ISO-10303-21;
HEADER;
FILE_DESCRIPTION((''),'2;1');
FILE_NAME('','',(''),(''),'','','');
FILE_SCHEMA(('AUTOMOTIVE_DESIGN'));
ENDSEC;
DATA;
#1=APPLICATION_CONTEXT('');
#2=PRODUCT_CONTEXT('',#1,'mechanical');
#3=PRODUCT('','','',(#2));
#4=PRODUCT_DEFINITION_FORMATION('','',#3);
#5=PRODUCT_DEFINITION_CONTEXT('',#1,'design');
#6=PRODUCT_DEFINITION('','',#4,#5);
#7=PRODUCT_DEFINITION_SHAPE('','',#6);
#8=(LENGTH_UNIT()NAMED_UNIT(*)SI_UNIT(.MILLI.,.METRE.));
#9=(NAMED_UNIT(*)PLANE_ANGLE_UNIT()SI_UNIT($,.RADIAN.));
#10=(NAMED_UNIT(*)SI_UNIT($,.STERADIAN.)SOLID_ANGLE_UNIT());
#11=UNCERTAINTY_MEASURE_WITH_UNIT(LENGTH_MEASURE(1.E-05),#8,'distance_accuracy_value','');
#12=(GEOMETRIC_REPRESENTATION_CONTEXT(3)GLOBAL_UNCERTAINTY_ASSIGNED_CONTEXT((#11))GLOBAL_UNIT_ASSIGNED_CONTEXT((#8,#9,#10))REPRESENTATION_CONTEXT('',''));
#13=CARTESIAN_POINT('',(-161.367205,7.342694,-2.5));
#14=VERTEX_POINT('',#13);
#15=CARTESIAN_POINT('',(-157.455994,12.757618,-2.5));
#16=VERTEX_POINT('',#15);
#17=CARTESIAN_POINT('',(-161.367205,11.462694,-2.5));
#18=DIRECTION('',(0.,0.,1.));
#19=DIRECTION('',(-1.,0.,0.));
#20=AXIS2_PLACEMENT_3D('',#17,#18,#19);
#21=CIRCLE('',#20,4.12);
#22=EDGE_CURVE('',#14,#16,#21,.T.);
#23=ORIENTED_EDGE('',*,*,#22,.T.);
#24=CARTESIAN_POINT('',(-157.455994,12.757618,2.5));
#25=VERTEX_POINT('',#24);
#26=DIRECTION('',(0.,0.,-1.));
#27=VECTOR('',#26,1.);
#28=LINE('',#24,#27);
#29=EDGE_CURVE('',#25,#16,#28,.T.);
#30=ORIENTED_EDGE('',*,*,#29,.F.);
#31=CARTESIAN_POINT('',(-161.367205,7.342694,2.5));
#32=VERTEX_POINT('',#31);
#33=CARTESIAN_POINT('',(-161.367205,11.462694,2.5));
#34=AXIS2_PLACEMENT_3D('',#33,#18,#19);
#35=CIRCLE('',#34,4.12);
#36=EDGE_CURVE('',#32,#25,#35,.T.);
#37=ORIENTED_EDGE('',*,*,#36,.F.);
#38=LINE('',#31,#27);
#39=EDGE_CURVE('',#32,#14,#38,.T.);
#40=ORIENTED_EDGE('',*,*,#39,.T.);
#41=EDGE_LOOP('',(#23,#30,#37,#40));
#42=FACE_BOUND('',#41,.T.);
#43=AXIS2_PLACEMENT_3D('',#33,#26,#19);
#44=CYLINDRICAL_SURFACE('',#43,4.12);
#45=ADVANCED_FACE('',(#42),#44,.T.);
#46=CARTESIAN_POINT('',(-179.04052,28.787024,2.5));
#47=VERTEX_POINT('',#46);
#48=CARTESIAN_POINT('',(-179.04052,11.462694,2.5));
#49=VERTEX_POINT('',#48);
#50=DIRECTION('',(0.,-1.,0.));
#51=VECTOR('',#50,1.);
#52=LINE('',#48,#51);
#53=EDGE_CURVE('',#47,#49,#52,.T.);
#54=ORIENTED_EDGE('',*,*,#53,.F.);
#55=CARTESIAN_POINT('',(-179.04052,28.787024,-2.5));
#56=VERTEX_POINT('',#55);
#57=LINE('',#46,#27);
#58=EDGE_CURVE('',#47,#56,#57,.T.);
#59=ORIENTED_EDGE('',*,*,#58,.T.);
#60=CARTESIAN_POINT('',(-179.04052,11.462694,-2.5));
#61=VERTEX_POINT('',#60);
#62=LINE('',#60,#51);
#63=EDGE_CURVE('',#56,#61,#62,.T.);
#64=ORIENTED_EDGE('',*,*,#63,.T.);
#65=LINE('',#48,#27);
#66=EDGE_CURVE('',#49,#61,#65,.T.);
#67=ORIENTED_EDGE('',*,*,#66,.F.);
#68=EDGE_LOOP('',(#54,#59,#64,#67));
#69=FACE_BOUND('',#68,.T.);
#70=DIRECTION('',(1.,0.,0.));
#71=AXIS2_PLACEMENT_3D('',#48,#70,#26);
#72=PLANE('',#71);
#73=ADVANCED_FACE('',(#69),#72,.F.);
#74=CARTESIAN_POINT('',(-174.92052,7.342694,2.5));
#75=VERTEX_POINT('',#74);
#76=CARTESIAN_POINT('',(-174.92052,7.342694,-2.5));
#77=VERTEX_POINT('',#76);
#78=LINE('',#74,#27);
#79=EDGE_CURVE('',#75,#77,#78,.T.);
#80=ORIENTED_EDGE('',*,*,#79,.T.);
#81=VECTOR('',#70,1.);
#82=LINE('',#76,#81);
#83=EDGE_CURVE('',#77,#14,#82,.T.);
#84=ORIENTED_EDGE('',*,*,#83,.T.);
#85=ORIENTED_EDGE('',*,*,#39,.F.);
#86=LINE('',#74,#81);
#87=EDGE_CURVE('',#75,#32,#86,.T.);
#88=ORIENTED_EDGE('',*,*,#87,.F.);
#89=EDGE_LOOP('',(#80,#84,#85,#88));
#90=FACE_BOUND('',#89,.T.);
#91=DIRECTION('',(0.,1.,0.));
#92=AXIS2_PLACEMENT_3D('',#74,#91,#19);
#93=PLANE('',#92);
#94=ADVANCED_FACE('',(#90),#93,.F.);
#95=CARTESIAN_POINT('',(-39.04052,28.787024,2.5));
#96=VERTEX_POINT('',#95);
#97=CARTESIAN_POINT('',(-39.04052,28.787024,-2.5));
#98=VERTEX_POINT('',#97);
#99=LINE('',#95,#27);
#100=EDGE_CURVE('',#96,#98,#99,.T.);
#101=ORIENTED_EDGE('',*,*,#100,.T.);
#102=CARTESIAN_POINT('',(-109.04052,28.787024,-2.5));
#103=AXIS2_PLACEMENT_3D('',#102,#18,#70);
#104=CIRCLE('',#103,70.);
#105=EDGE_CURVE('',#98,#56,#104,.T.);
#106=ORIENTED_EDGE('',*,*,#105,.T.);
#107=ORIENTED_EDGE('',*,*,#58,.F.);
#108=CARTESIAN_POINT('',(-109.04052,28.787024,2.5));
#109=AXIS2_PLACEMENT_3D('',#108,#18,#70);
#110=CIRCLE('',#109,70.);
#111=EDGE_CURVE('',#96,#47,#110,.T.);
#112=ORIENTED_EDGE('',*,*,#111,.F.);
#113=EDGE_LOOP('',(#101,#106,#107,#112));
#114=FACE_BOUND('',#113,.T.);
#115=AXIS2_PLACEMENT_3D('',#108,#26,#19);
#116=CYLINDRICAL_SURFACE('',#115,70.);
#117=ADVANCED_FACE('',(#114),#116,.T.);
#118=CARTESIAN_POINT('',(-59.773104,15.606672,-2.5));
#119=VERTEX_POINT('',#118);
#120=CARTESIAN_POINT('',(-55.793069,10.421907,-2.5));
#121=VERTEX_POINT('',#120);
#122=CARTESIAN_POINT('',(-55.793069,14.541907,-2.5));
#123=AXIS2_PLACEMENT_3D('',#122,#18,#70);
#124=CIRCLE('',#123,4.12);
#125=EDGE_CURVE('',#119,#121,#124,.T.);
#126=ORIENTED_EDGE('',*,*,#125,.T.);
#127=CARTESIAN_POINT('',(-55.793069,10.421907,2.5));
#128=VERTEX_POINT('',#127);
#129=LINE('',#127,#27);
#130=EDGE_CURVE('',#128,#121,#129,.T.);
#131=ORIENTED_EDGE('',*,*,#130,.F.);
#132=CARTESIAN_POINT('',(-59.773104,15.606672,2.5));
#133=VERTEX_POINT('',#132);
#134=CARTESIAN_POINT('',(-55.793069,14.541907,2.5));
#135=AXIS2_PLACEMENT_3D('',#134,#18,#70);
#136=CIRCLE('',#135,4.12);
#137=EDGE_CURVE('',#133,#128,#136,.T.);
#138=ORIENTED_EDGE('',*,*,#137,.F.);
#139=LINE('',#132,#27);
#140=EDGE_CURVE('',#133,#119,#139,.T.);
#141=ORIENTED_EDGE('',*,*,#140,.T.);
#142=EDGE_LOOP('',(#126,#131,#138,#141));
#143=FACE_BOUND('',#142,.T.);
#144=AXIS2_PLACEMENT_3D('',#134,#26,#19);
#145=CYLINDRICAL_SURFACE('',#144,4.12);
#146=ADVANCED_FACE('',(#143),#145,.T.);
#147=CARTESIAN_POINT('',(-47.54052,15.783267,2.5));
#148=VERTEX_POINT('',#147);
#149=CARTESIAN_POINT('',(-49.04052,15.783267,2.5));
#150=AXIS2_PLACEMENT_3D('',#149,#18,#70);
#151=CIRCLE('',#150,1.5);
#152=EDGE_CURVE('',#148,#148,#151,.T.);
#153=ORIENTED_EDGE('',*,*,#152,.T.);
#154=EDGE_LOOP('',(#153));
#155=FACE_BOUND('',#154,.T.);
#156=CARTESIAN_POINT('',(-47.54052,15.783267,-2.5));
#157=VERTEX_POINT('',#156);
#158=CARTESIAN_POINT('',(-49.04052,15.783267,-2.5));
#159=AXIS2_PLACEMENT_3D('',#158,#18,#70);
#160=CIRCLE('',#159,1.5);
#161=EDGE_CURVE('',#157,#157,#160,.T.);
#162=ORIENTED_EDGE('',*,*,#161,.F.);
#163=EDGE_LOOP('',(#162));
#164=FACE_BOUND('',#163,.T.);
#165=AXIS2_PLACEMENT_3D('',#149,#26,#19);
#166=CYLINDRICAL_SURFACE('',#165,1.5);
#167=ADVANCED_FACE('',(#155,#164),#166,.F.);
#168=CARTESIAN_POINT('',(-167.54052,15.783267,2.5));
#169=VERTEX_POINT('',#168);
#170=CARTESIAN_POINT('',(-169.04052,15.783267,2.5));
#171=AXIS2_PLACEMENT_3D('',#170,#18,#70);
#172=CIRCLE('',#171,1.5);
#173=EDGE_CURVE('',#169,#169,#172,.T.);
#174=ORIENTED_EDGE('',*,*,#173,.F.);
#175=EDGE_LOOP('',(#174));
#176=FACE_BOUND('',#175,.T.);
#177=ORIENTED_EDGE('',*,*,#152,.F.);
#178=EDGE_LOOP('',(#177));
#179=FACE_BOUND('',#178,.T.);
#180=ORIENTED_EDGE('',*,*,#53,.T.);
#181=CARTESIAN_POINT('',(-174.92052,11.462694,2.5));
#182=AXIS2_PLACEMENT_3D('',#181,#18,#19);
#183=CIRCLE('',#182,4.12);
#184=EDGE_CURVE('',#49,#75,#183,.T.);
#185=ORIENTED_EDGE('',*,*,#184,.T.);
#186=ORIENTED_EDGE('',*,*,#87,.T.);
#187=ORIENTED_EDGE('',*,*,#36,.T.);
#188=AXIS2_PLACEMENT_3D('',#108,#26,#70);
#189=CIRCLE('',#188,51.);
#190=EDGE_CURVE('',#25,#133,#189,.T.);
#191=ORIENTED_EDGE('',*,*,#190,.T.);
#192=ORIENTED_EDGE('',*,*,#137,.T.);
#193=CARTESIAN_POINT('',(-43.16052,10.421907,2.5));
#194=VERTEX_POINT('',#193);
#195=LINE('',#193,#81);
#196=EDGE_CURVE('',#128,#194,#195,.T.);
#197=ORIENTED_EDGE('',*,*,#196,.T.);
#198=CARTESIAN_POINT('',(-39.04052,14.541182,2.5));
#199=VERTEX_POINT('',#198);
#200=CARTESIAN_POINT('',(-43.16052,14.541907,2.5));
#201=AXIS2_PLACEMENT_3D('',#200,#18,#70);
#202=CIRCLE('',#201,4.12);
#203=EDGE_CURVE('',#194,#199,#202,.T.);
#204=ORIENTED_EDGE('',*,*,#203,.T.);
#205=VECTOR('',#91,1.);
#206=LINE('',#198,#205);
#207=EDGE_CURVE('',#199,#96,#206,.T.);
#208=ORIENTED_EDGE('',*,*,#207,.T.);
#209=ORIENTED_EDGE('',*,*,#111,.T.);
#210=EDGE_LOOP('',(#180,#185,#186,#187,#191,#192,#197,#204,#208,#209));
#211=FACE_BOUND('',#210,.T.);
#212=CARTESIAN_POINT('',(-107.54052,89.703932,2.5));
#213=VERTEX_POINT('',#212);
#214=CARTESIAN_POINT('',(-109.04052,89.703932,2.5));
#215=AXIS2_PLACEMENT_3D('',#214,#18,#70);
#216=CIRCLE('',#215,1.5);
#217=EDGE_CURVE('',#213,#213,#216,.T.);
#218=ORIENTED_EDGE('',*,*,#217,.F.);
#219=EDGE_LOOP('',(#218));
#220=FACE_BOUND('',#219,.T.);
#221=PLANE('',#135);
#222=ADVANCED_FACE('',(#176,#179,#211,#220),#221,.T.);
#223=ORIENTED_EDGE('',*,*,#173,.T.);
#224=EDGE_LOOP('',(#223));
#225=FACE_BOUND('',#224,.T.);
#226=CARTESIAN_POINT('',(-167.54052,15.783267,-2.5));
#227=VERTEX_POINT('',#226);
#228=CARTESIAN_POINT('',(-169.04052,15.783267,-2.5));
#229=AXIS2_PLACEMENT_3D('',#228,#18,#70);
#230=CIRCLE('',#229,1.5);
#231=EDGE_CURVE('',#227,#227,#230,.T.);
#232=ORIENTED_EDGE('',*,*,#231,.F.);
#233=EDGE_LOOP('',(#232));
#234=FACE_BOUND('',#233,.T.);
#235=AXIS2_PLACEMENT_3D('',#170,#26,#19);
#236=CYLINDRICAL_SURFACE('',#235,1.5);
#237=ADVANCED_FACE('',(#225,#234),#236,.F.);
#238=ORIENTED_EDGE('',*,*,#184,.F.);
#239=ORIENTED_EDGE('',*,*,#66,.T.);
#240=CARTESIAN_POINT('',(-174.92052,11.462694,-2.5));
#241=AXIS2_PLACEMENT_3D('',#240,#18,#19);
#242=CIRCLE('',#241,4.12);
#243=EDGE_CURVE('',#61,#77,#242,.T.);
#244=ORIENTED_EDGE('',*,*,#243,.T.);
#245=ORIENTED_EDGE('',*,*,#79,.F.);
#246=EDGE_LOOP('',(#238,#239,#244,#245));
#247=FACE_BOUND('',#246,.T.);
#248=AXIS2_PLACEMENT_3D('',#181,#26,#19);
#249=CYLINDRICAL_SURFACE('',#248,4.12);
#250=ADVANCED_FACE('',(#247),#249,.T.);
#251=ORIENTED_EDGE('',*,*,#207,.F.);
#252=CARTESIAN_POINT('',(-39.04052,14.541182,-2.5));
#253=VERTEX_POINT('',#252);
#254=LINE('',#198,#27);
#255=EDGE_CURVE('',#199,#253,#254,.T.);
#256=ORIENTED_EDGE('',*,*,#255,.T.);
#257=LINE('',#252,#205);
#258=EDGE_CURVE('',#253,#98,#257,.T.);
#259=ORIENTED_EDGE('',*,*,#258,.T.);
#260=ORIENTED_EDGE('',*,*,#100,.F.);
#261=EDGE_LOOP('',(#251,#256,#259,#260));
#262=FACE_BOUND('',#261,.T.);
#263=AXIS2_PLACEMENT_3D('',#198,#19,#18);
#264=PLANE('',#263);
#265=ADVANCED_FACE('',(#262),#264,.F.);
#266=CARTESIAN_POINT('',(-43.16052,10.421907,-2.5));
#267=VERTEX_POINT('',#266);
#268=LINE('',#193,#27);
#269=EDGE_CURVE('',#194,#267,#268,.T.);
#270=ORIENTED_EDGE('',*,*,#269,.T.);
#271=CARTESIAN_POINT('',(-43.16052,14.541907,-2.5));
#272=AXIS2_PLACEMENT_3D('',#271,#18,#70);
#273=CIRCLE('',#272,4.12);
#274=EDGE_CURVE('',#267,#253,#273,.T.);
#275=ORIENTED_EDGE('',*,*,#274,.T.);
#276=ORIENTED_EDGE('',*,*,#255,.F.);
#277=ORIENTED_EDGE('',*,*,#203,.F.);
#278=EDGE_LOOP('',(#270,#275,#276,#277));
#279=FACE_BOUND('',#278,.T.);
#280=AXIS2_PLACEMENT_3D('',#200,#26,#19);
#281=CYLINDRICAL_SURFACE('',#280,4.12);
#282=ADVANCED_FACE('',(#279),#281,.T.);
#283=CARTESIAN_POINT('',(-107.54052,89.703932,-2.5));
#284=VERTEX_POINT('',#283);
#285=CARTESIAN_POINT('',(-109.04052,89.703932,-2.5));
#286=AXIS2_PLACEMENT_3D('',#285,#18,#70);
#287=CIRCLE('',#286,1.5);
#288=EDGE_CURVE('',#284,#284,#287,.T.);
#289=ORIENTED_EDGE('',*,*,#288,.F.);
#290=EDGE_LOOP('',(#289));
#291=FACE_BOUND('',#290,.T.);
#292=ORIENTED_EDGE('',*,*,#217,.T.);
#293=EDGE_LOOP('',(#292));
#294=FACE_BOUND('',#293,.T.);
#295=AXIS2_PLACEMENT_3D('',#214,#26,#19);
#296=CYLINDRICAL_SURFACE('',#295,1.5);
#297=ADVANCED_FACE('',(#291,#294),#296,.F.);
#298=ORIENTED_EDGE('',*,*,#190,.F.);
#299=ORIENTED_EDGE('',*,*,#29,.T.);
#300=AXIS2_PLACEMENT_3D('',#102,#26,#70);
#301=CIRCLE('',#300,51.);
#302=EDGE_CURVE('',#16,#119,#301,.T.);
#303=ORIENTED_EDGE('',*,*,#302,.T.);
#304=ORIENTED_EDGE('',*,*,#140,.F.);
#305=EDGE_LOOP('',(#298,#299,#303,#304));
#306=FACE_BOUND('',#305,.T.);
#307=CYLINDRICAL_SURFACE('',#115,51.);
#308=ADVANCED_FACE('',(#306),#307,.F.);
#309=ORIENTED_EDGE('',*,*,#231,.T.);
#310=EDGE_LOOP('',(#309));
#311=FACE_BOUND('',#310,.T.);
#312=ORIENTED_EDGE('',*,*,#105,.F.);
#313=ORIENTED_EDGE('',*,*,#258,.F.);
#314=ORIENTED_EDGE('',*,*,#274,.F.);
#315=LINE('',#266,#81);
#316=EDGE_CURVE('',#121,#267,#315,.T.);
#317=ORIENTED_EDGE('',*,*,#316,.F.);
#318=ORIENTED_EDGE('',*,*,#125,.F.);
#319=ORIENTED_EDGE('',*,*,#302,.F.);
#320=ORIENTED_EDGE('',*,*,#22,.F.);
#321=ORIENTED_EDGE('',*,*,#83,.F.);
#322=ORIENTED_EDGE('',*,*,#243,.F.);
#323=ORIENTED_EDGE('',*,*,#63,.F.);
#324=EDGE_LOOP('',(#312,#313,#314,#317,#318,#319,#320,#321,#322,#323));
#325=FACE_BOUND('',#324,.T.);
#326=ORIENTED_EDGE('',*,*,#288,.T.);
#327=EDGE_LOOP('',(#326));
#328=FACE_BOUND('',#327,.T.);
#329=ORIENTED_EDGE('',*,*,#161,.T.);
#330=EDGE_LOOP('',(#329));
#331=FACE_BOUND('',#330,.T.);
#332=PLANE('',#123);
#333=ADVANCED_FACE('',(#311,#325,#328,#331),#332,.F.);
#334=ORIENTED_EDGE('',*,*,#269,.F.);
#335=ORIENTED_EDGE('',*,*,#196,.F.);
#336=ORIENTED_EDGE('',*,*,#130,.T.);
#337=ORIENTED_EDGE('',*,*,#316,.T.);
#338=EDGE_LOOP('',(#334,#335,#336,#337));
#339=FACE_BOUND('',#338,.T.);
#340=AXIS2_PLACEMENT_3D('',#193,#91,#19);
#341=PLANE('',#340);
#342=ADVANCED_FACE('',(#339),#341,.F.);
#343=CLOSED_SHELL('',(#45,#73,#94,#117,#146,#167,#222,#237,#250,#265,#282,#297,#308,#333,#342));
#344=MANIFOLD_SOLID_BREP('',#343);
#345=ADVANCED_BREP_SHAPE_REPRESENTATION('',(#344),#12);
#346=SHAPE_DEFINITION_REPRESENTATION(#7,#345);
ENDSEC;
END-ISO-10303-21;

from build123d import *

# Parameters (mm, degrees)
SKETCH1_R                   = 1.5
Y_KSEKLIK_EKSTR_ZYON1_DEPTH = 2.5


with BuildPart() as part:
    # Sketch1 → Yükseklik-Ekstrüzyon1 (new, symmetric)
    with BuildSketch(Plane.XY):
        with BuildLine():
            Line((-43.160520199, 10.421906731), (-55.793069396, 10.421906731))
            ThreePointArc((-55.793069396, 10.421906731), (-59.061190769, 12.033165476), (-59.773103822, 15.606672417))
            ThreePointArc((-59.773103822, 15.606672417), (-110.527372239, 79.765345936), (-157.455994445, 12.757618261))
            ThreePointArc((-157.455994445, 12.757618261), (-158.027333354, 9.050297499), (-161.3672053, 7.34269369))
            Line((-161.3672053, 7.34269369), (-174.920520263, 7.34269369))
            ThreePointArc((-174.920520263, 7.34269369), (-177.833800201, 8.549413752), (-179.040520263, 11.46269369))
            Line((-179.040520263, 11.46269369), (-179.040520263, 28.787024355))
            ThreePointArc((-179.040520263, 28.787024355), (-109.040520263, 98.787024355), (-39.040520263, 28.787024355))
            Line((-39.040520263, 28.787024355), (-39.040520263, 14.54118218))
            ThreePointArc((-39.040520263, 14.54118218), (-40.247496439, 11.628370637), (-43.160520199, 10.421906731))
        make_face()
        with Locations((-169.040520263, 15.783267045)):
            Circle(SKETCH1_R, mode=Mode.SUBTRACT)
        with Locations((-49.040520263, 15.783267045)):
            Circle(SKETCH1_R, mode=Mode.SUBTRACT)
        with Locations((-109.040520263, 89.703931552)):
            Circle(SKETCH1_R, mode=Mode.SUBTRACT)
    extrude(amount=Y_KSEKLIK_EKSTR_ZYON1_DEPTH, both=True)


solid = part.part
